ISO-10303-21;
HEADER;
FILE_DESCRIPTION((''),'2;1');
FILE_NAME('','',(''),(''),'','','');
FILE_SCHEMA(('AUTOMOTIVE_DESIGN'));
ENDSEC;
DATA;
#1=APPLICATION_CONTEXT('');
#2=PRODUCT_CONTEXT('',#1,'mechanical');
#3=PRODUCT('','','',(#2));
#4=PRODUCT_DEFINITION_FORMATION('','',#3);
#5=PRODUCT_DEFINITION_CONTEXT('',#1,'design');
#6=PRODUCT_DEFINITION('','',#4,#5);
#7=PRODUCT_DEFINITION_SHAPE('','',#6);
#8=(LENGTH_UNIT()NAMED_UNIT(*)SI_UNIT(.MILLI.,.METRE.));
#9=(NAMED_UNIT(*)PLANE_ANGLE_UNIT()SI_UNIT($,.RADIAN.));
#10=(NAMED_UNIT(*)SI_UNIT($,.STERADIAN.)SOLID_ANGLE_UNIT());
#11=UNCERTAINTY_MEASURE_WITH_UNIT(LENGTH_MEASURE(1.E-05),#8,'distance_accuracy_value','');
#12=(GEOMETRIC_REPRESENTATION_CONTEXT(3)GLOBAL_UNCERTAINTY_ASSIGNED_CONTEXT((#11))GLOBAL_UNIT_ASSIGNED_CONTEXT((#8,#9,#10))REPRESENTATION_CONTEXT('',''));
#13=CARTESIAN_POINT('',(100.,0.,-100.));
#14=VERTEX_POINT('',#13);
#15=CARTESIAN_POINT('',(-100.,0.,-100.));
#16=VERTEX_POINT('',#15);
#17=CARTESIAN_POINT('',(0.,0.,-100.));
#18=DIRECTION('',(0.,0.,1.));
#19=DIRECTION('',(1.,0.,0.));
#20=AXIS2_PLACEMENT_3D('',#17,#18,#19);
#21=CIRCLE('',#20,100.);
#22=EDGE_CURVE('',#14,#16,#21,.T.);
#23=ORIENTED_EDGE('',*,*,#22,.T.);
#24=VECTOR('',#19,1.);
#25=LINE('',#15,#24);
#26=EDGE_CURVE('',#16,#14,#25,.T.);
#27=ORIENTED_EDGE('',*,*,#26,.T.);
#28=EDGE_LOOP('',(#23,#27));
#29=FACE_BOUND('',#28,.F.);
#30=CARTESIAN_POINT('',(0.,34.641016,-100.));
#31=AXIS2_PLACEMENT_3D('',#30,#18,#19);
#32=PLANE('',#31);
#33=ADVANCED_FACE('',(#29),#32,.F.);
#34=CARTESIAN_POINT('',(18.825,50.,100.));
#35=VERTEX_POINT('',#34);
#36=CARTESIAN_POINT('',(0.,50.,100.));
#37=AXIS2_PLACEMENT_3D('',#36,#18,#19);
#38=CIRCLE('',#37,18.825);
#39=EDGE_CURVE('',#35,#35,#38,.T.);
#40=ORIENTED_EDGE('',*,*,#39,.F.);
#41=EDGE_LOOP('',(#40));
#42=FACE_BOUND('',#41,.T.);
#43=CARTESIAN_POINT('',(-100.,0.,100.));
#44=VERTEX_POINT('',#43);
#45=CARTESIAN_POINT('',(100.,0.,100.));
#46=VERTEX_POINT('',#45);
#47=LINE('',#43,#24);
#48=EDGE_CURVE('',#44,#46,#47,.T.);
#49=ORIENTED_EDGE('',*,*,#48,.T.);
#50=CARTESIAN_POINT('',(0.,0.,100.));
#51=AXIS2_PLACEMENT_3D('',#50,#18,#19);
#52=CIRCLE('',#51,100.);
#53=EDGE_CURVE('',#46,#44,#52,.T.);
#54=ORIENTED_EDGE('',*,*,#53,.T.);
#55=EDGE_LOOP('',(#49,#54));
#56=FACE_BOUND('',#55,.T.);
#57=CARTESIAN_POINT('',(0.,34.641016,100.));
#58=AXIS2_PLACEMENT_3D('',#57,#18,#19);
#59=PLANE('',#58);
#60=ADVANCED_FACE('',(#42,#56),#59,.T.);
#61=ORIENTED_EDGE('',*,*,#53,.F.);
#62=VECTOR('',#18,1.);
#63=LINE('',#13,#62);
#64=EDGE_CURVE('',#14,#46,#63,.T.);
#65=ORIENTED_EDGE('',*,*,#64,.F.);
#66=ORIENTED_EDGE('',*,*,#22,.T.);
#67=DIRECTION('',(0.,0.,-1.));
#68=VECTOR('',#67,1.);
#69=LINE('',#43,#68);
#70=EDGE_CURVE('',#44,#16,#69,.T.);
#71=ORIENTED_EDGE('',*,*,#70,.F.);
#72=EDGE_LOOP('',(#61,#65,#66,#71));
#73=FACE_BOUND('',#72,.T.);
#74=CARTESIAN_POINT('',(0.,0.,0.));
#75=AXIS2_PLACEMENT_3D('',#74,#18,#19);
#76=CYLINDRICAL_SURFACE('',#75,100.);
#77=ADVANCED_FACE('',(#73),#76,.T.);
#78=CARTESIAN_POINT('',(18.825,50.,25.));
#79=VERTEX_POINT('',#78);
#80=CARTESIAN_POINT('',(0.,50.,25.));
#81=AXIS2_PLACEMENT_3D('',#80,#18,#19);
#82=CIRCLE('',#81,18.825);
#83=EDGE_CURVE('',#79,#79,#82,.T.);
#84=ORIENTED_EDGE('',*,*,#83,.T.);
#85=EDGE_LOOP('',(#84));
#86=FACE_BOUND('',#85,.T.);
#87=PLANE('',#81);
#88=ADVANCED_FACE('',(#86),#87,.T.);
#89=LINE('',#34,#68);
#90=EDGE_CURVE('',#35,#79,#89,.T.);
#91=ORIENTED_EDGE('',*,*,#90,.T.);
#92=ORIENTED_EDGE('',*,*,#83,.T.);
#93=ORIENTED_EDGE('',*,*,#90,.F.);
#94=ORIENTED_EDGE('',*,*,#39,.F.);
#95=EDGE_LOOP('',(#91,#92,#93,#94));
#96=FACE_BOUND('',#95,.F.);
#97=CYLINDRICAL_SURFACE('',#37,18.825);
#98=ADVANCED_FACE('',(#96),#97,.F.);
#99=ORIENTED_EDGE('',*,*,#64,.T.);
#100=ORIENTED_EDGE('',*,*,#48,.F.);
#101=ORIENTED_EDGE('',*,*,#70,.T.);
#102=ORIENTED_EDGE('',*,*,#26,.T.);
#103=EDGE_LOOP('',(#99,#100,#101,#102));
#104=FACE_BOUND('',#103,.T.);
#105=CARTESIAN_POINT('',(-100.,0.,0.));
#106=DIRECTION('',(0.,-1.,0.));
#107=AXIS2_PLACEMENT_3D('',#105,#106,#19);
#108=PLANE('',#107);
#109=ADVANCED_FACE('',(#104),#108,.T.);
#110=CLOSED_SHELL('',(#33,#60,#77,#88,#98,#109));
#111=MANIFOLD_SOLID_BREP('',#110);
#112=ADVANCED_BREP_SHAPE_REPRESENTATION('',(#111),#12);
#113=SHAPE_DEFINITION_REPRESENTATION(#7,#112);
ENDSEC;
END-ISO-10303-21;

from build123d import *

# Parameters (mm, degrees)
F1_DEPTH = 100
F2_R     = 18.825
F3_DEPTH = 75


with BuildPart() as f1:
    # F0 (on Top) → F1 (new body, symmetric)
    with BuildSketch(Plane.XY):
        with BuildLine():
            Line((-100, 0), (100, 0))
            ThreePointArc((100, 0), (0, 100), (-100, 0))
        make_face()
    extrude(amount=F1_DEPTH, both=True)

    # F2 (on face) → F3 (cut)
    with BuildSketch(Plane.XY.offset(100)):
        with Locations((0, 50)):
            Circle(F2_R)
    extrude(amount=-F3_DEPTH, mode=Mode.SUBTRACT)


solid = f1.part
